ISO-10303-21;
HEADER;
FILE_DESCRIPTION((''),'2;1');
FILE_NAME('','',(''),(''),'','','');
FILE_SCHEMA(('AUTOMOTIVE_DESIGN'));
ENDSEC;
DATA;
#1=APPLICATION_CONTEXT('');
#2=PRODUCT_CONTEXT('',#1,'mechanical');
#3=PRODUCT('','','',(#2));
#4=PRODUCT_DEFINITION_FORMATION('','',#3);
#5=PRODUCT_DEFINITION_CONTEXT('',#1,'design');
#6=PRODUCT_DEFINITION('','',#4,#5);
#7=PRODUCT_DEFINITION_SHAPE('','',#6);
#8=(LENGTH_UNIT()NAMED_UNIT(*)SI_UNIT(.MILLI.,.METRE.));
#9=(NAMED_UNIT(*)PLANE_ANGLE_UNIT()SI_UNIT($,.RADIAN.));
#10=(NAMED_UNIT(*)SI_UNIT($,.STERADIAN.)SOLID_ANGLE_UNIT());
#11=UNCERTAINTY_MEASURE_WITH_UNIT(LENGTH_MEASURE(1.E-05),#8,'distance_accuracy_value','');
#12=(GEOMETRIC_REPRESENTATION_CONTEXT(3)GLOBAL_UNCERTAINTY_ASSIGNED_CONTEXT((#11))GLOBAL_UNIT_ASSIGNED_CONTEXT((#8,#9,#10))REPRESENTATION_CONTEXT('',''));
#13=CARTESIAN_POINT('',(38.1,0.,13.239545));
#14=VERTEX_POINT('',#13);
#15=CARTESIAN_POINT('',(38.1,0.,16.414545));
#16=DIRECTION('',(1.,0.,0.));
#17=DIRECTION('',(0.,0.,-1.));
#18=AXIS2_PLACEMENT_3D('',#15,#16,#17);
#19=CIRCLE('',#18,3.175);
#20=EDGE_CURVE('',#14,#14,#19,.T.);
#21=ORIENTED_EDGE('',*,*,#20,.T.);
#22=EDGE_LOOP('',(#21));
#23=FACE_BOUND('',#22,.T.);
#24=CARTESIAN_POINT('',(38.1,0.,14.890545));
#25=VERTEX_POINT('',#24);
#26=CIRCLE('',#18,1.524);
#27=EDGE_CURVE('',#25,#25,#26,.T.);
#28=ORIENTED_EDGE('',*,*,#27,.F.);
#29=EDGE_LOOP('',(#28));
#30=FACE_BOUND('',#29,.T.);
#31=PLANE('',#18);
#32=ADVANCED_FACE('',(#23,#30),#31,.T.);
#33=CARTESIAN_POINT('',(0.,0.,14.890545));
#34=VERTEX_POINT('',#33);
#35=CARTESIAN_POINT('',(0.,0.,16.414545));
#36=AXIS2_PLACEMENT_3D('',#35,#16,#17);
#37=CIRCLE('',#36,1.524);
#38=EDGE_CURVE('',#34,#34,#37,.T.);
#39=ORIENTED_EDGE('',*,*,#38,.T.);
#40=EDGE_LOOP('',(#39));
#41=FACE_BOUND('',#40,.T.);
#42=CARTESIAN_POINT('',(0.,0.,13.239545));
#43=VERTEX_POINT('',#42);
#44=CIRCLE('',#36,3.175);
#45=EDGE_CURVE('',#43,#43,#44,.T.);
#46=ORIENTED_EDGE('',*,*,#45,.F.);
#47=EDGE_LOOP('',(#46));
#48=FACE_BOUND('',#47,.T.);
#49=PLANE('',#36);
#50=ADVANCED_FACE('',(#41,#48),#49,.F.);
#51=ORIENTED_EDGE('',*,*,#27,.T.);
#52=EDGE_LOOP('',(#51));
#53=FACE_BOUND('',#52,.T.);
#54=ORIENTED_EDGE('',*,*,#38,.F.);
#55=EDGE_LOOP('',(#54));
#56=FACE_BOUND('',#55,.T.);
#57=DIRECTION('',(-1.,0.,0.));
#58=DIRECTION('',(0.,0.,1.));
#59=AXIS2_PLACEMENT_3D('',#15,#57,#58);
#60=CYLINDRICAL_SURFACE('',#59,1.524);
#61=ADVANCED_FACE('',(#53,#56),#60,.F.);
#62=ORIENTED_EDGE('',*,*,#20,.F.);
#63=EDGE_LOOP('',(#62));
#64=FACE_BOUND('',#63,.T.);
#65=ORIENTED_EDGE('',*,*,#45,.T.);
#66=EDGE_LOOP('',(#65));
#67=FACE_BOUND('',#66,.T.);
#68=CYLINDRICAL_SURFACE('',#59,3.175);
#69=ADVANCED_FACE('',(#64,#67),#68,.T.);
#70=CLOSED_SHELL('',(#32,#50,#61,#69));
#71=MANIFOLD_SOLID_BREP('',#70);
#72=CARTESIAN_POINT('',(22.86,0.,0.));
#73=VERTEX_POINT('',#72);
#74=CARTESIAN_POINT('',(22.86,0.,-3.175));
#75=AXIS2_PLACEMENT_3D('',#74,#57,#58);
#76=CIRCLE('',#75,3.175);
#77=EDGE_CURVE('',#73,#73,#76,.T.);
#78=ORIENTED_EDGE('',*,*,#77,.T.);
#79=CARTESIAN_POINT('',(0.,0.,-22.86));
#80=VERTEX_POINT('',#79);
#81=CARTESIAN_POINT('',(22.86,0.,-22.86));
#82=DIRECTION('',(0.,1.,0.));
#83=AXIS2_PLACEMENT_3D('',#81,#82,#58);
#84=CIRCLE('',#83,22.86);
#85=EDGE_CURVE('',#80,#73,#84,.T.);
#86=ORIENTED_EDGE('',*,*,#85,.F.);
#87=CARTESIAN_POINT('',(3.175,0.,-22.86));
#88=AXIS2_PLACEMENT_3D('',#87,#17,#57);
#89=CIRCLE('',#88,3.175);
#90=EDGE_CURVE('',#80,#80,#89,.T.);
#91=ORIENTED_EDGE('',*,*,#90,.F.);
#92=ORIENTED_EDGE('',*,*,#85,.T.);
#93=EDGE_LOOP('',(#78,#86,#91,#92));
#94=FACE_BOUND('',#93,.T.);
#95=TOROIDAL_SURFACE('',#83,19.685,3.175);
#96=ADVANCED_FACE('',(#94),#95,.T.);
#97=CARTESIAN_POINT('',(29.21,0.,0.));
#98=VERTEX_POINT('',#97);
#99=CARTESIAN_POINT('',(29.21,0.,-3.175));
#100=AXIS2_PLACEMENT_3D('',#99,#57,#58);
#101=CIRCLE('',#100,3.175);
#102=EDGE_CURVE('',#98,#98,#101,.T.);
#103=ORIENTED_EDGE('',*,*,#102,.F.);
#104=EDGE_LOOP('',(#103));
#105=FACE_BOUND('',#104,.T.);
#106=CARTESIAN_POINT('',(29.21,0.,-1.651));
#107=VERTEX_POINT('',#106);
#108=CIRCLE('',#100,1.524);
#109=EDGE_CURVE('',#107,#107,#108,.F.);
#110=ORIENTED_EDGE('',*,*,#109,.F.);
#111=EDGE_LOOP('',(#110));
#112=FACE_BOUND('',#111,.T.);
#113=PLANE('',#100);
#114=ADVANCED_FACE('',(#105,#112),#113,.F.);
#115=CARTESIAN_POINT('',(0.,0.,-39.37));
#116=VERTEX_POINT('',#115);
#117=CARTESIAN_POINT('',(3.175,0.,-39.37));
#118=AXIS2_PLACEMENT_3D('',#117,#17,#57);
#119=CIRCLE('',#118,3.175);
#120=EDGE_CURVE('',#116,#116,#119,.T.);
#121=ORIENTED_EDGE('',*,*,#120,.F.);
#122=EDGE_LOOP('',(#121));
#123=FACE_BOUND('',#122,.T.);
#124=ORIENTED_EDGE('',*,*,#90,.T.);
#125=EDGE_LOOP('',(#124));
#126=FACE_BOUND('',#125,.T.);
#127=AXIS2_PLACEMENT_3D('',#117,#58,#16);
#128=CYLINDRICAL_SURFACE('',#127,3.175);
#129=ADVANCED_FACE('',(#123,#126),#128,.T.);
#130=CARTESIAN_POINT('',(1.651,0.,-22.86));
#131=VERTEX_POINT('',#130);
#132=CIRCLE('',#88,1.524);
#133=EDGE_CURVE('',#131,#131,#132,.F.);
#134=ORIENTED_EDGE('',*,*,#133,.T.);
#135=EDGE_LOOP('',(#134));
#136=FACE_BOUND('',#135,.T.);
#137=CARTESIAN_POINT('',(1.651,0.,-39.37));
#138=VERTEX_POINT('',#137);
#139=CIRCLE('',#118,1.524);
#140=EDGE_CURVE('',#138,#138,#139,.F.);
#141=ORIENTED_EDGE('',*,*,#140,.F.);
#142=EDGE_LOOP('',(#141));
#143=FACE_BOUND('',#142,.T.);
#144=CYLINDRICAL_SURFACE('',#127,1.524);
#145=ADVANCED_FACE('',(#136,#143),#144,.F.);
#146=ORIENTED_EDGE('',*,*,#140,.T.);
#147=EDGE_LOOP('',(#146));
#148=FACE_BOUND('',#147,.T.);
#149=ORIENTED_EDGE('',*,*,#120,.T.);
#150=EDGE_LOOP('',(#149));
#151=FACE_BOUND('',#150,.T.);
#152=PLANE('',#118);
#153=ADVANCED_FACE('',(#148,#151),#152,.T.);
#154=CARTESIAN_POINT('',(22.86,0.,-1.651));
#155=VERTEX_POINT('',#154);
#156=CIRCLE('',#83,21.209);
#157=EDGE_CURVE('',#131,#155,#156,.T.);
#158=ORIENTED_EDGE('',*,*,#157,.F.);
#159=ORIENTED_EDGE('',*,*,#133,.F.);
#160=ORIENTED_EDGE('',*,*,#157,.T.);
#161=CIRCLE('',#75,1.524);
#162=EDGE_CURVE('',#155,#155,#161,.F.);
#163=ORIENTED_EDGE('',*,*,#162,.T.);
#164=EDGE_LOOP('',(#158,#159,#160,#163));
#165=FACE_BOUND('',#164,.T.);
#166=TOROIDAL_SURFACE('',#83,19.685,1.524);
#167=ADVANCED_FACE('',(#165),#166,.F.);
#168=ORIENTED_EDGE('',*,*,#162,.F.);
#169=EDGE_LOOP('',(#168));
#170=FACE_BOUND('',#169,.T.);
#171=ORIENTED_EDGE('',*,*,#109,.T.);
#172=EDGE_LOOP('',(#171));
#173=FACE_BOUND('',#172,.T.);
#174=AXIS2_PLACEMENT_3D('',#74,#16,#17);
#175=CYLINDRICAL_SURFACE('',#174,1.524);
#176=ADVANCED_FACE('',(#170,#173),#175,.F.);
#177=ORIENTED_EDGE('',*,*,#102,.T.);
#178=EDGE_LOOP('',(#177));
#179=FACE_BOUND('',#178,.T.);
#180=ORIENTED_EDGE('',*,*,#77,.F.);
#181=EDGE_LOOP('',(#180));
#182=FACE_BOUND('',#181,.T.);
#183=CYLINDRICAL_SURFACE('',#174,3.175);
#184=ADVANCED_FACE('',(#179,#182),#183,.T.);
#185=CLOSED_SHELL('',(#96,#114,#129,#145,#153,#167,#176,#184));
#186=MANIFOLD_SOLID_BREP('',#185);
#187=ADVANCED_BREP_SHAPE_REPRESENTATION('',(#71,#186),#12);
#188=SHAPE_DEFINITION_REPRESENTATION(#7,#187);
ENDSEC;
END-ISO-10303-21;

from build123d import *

# Parameters (mm, degrees)
SKETCH2_R           = 3.175
SKETCH2_R_2         = 1.524
SKETCH3_R           = 3.175
SKETCH3_R_2         = 1.524
BOSS_EXTRUDE1_DEPTH = 38.1


with BuildPart() as part:
    # Sweep1: sweep along a path in Sketch1
    with BuildLine(Plane(origin=(0, 0, 0), x_dir=(1, 0, 0), z_dir=(0, 1, 0))) as sweep1_path:
        Line((0, 39.37), (0, 22.86))
        ThreePointArc((0, 22.86), (6.695538982, 6.695538982), (22.86, 0))
        Line((22.86, 0), (29.21, 0))
    # Sketch2 → Sweep1 (sweep)
    with BuildSketch(Plane.ZY.offset(-29.21)):
        with Locations((-3.175, 0)):
            Circle(SKETCH2_R)
        with Locations((-3.175, 0)):
            Circle(SKETCH2_R_2, mode=Mode.SUBTRACT)
    sweep(path=sweep1_path.line)


with BuildPart() as body_2:
    # Sketch3 → Boss-Extrude1 (new body)
    with BuildSketch(Plane(origin=(0, 0, 0), x_dir=(0, 0, -1), z_dir=(1, 0, 0))):
        with Locations((-16.414544802, 0)):
            Circle(SKETCH3_R)
        with Locations((-16.414544802, 0)):
            Circle(SKETCH3_R_2, mode=Mode.SUBTRACT)
    extrude(amount=BOSS_EXTRUDE1_DEPTH)


solid = Compound([part.part, body_2.part])
